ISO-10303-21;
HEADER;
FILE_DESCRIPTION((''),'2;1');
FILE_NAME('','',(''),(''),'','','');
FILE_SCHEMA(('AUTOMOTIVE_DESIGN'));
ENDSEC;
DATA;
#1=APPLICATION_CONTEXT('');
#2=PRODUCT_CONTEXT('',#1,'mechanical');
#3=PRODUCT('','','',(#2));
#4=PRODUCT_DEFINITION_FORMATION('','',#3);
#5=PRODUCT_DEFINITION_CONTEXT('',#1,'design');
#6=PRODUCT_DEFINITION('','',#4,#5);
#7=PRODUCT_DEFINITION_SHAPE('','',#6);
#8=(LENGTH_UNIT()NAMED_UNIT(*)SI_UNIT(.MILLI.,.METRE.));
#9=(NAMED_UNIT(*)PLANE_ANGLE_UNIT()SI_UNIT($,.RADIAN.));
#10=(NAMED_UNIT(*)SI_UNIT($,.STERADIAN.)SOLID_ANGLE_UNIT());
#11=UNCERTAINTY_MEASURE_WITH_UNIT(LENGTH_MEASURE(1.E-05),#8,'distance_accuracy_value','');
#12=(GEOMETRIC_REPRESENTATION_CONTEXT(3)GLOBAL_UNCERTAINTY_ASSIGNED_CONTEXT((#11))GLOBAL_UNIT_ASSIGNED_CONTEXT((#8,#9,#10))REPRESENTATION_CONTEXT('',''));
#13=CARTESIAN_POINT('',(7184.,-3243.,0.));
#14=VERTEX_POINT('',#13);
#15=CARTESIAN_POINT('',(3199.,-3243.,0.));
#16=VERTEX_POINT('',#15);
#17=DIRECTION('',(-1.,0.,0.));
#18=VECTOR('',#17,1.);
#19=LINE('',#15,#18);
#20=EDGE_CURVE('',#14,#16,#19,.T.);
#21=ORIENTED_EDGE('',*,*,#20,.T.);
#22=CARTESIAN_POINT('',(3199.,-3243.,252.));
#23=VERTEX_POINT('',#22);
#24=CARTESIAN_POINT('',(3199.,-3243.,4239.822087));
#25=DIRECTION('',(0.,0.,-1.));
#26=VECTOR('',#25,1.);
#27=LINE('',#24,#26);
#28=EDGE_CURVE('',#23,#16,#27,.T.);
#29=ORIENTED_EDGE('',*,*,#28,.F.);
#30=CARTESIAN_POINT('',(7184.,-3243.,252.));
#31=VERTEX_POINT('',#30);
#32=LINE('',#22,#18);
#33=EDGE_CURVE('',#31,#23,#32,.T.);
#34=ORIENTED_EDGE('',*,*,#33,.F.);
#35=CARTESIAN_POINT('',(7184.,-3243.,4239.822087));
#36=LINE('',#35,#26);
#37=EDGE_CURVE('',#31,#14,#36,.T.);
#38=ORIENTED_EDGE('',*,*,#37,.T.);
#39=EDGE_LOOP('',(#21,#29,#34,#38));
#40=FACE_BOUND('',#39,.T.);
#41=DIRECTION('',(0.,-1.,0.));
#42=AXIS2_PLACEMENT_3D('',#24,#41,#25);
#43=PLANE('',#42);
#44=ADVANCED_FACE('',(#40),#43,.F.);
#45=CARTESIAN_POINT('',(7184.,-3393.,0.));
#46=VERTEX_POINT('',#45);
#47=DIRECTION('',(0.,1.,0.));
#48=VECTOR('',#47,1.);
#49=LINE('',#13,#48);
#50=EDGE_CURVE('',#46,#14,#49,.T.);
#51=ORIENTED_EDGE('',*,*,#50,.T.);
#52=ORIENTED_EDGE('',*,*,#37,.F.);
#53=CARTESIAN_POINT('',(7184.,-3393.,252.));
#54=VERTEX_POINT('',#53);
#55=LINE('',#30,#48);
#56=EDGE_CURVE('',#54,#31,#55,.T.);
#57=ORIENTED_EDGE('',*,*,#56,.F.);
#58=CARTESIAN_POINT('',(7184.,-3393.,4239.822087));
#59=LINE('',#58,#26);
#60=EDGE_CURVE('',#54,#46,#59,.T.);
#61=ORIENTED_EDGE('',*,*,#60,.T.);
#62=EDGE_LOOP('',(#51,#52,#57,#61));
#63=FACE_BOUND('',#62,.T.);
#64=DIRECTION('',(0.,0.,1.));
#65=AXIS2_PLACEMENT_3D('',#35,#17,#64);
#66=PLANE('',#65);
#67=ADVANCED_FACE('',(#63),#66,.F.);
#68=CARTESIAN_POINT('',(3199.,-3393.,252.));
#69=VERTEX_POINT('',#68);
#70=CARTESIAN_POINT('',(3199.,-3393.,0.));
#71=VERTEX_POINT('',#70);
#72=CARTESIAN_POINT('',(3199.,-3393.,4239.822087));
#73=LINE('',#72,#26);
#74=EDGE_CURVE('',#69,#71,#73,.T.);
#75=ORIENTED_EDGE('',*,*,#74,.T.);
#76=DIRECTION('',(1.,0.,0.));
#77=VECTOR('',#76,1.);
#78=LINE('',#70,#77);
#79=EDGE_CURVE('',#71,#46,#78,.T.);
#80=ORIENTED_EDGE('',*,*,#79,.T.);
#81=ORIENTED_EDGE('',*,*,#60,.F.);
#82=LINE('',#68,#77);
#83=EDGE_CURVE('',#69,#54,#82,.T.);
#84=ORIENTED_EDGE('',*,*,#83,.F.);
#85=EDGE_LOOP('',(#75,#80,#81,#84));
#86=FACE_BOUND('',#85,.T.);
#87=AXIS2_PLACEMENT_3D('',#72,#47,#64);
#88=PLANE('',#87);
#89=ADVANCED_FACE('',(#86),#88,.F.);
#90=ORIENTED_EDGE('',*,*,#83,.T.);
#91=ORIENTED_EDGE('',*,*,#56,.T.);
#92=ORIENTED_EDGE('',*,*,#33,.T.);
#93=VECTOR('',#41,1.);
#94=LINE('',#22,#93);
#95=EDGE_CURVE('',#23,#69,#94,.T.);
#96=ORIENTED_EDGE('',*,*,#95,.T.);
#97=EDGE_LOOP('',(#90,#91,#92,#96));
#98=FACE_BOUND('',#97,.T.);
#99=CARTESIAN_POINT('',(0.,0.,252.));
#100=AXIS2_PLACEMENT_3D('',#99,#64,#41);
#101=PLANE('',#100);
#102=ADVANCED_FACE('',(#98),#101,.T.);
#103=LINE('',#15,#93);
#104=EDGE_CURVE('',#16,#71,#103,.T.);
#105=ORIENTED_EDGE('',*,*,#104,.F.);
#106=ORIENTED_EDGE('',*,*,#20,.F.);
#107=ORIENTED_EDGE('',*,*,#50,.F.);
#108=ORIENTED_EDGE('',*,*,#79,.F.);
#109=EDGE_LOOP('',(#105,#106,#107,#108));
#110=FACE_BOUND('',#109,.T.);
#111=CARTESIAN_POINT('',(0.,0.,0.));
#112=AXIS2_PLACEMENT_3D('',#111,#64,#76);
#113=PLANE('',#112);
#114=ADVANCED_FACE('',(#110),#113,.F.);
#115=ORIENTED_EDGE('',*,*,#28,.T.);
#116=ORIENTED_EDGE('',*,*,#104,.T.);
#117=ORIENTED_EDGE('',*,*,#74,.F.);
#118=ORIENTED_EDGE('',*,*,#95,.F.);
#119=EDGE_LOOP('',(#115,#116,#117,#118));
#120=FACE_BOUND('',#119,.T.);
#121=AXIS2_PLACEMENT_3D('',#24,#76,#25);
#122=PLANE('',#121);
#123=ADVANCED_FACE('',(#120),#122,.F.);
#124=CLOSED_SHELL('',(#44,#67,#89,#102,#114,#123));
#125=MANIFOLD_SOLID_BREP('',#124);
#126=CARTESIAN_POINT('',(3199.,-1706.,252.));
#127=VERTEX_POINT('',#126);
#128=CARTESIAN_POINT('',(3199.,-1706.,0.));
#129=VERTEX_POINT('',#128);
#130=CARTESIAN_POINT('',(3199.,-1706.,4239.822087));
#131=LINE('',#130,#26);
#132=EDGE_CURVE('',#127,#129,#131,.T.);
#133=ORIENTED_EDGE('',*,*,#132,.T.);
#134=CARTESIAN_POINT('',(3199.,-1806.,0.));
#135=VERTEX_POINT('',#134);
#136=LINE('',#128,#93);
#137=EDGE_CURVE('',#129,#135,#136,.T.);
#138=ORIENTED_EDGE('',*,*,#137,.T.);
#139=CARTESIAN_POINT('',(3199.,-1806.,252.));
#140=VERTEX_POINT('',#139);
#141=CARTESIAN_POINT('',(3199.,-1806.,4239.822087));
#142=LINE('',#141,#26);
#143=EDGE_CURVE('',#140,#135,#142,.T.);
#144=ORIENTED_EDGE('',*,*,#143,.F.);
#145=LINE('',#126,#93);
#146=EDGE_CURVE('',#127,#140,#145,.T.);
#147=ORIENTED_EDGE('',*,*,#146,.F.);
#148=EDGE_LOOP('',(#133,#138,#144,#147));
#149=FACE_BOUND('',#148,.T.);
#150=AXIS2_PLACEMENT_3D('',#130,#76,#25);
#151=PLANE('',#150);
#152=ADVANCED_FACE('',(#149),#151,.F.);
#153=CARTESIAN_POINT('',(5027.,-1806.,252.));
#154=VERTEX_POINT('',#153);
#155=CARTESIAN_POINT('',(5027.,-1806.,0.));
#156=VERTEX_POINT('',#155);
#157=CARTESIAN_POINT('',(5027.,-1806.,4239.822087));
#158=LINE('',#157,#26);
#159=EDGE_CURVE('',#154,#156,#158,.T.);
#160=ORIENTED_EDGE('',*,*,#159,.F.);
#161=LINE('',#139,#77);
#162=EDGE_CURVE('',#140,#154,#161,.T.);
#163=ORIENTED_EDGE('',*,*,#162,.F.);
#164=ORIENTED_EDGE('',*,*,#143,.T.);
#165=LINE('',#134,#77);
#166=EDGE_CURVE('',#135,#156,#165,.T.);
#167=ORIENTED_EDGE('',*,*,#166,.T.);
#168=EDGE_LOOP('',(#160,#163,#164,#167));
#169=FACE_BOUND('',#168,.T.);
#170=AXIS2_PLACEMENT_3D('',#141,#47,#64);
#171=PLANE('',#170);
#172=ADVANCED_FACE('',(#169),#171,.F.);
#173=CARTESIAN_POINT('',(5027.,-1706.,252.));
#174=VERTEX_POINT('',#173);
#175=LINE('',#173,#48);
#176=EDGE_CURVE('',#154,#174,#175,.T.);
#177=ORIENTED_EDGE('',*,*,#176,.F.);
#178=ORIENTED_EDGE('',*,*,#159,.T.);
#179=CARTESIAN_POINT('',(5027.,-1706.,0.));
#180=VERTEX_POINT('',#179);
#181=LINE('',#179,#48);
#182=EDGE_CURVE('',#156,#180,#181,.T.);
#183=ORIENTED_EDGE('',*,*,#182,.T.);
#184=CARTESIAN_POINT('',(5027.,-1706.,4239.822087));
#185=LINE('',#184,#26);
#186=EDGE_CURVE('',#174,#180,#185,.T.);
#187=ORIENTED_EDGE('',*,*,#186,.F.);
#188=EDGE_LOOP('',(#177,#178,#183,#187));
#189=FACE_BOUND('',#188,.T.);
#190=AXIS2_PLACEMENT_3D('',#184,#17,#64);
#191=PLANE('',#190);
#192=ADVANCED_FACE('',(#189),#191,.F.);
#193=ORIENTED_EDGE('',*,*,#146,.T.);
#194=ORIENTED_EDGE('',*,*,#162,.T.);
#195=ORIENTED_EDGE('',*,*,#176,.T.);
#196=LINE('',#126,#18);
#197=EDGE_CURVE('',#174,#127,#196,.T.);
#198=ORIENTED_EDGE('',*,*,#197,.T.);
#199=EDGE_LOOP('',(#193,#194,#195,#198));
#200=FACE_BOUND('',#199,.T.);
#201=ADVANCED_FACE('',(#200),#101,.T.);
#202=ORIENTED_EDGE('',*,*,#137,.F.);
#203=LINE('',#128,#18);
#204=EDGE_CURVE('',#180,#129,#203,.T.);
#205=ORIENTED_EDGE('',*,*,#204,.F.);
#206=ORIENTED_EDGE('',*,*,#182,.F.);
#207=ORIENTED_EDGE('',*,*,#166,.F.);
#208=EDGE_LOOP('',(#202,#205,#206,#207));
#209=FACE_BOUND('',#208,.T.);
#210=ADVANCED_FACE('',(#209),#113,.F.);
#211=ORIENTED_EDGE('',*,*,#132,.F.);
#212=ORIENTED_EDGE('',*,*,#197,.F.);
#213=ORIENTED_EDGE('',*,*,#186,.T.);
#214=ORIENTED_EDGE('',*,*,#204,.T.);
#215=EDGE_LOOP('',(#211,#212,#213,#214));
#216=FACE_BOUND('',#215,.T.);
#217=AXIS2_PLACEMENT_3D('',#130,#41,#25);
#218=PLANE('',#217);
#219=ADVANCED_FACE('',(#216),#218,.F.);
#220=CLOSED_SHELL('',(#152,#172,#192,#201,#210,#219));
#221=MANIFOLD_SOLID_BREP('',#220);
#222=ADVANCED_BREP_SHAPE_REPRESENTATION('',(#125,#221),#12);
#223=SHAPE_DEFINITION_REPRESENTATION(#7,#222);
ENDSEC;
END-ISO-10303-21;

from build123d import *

# Parameters (mm, degrees)
SKETCH_1_W        = 3985
SKETCH_1_H        = 150
EXTRUDE_1_DEPTH   = 252
SKETCH_1_W_2      = 1828
SKETCH_1_H_2      = 100
EXTRUDE_1_2_DEPTH = 252


with BuildPart() as part:
    # Эскиз1 → Бобышка-Вытянуть1 (new body)
    with BuildSketch(Plane.XY):
        with Locations((5191.5, -3318)):
            Rectangle(SKETCH_1_W, SKETCH_1_H)
    extrude(amount=EXTRUDE_1_DEPTH)


with BuildPart() as body_2:
    # Эскиз1 → Extrude 1 2 (new body)
    with BuildSketch(Plane.XY):
        with Locations((4113, -1756)):
            Rectangle(SKETCH_1_W_2, SKETCH_1_H_2)
    extrude(amount=EXTRUDE_1_2_DEPTH)


solid = Compound([part.part, body_2.part])
